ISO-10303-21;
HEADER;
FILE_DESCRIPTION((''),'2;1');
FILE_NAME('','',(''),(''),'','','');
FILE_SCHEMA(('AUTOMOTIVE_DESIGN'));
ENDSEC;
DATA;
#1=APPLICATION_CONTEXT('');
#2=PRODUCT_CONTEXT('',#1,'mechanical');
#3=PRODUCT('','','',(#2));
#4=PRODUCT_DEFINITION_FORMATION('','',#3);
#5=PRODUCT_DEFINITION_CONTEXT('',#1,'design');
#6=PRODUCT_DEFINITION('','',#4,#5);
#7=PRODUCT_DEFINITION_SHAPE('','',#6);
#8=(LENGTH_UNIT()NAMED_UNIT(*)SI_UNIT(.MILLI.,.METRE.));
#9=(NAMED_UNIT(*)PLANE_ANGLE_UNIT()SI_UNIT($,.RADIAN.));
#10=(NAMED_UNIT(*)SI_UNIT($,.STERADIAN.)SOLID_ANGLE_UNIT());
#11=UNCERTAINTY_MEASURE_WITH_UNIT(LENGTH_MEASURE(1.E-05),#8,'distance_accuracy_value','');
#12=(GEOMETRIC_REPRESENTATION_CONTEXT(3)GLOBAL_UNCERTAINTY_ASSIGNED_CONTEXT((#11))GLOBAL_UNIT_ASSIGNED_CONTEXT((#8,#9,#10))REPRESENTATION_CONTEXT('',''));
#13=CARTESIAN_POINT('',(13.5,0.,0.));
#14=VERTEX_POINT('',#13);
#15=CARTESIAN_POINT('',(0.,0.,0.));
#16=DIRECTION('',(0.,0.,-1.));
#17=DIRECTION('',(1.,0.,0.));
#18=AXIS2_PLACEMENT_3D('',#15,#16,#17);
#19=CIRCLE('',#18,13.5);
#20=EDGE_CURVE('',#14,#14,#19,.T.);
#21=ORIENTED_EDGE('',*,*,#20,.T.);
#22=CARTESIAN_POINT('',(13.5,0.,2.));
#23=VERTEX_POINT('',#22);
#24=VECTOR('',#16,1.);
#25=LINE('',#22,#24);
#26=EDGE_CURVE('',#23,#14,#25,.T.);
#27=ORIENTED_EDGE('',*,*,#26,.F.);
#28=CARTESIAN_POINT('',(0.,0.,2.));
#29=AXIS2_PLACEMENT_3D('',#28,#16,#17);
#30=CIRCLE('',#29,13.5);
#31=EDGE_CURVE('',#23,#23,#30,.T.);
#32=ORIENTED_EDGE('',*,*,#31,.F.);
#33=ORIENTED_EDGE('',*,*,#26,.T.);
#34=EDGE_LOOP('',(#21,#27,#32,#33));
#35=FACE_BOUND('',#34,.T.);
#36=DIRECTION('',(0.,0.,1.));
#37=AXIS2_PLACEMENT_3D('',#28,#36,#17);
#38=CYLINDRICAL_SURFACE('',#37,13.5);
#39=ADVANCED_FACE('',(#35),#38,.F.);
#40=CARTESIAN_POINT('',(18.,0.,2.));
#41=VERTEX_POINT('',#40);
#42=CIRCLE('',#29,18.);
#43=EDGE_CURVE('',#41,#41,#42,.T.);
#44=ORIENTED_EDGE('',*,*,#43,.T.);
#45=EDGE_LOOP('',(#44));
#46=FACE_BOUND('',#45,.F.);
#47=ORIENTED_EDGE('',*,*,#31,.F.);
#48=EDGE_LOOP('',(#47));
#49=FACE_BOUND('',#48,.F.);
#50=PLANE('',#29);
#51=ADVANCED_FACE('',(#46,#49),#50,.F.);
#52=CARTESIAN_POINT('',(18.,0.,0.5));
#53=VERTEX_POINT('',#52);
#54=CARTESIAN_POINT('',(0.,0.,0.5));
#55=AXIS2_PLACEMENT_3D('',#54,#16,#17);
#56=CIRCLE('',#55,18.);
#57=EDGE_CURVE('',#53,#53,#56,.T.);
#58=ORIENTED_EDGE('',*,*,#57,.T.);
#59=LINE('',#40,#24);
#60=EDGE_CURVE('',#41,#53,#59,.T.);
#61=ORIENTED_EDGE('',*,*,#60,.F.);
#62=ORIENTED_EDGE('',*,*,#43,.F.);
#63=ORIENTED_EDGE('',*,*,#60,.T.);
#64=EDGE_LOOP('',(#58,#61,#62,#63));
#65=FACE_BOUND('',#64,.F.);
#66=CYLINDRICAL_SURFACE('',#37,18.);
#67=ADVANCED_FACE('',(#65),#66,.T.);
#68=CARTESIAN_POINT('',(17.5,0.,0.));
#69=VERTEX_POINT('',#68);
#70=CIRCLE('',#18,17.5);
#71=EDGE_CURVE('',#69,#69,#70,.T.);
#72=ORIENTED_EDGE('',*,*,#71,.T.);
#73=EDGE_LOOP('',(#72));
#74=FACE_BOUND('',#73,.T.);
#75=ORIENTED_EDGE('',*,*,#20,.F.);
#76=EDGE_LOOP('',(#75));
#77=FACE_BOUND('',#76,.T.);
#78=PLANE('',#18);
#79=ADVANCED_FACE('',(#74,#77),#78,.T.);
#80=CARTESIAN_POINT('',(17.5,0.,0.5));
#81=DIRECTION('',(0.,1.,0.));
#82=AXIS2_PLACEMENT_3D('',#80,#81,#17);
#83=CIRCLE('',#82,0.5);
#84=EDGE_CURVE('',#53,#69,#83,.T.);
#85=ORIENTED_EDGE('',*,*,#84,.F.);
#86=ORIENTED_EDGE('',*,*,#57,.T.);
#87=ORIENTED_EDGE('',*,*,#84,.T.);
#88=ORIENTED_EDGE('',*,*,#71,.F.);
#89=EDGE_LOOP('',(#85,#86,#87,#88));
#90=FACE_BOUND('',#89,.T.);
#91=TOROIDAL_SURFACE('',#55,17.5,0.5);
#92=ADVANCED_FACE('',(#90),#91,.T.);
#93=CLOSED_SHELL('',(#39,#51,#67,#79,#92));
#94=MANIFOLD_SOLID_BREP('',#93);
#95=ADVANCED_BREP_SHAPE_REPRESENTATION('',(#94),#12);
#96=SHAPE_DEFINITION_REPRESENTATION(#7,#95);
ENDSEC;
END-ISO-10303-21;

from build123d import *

# Parameters (mm, degrees)
CYLINDER002_R       = 13.5
CYLINDER002_DEPTH   = 2
CYLINDER001_R       = 18
CYLINDER001_DEPTH   = 2
CUT_PLACEMENT_ANGLE = 180
FILLET_R            = 0.5


with BuildPart() as cylinder002:
    # Cylinder002 → Cylinder002 (new body)
    with BuildSketch(Plane.XY):
        Circle(CYLINDER002_R)
    extrude(amount=CYLINDER002_DEPTH)


with BuildPart() as fillet_body:
    # Cylinder001 → Cylinder001 (new body)
    with BuildSketch(Plane.XY):
        Circle(CYLINDER001_R)
    extrude(amount=CYLINDER001_DEPTH)

    # Cut: cut Cylinder002
    add(cylinder002.part, mode=Mode.SUBTRACT)


with BuildPart() as fillet_body_1:
    # Cut placement: moved
    add(fillet_body.part.moved(Location((0, 0, 2))).rotate(Axis((0, 0, 2), (1, 0, 0)), CUT_PLACEMENT_ANGLE))

    # Fillet
    fillet_edges = [fillet_body_1.edges().sort_by_distance(p)[0] for p in [
        (-18, 0, 0),
    ]]
    fillet(fillet_edges, radius=FILLET_R)


solid = fillet_body_1.part
